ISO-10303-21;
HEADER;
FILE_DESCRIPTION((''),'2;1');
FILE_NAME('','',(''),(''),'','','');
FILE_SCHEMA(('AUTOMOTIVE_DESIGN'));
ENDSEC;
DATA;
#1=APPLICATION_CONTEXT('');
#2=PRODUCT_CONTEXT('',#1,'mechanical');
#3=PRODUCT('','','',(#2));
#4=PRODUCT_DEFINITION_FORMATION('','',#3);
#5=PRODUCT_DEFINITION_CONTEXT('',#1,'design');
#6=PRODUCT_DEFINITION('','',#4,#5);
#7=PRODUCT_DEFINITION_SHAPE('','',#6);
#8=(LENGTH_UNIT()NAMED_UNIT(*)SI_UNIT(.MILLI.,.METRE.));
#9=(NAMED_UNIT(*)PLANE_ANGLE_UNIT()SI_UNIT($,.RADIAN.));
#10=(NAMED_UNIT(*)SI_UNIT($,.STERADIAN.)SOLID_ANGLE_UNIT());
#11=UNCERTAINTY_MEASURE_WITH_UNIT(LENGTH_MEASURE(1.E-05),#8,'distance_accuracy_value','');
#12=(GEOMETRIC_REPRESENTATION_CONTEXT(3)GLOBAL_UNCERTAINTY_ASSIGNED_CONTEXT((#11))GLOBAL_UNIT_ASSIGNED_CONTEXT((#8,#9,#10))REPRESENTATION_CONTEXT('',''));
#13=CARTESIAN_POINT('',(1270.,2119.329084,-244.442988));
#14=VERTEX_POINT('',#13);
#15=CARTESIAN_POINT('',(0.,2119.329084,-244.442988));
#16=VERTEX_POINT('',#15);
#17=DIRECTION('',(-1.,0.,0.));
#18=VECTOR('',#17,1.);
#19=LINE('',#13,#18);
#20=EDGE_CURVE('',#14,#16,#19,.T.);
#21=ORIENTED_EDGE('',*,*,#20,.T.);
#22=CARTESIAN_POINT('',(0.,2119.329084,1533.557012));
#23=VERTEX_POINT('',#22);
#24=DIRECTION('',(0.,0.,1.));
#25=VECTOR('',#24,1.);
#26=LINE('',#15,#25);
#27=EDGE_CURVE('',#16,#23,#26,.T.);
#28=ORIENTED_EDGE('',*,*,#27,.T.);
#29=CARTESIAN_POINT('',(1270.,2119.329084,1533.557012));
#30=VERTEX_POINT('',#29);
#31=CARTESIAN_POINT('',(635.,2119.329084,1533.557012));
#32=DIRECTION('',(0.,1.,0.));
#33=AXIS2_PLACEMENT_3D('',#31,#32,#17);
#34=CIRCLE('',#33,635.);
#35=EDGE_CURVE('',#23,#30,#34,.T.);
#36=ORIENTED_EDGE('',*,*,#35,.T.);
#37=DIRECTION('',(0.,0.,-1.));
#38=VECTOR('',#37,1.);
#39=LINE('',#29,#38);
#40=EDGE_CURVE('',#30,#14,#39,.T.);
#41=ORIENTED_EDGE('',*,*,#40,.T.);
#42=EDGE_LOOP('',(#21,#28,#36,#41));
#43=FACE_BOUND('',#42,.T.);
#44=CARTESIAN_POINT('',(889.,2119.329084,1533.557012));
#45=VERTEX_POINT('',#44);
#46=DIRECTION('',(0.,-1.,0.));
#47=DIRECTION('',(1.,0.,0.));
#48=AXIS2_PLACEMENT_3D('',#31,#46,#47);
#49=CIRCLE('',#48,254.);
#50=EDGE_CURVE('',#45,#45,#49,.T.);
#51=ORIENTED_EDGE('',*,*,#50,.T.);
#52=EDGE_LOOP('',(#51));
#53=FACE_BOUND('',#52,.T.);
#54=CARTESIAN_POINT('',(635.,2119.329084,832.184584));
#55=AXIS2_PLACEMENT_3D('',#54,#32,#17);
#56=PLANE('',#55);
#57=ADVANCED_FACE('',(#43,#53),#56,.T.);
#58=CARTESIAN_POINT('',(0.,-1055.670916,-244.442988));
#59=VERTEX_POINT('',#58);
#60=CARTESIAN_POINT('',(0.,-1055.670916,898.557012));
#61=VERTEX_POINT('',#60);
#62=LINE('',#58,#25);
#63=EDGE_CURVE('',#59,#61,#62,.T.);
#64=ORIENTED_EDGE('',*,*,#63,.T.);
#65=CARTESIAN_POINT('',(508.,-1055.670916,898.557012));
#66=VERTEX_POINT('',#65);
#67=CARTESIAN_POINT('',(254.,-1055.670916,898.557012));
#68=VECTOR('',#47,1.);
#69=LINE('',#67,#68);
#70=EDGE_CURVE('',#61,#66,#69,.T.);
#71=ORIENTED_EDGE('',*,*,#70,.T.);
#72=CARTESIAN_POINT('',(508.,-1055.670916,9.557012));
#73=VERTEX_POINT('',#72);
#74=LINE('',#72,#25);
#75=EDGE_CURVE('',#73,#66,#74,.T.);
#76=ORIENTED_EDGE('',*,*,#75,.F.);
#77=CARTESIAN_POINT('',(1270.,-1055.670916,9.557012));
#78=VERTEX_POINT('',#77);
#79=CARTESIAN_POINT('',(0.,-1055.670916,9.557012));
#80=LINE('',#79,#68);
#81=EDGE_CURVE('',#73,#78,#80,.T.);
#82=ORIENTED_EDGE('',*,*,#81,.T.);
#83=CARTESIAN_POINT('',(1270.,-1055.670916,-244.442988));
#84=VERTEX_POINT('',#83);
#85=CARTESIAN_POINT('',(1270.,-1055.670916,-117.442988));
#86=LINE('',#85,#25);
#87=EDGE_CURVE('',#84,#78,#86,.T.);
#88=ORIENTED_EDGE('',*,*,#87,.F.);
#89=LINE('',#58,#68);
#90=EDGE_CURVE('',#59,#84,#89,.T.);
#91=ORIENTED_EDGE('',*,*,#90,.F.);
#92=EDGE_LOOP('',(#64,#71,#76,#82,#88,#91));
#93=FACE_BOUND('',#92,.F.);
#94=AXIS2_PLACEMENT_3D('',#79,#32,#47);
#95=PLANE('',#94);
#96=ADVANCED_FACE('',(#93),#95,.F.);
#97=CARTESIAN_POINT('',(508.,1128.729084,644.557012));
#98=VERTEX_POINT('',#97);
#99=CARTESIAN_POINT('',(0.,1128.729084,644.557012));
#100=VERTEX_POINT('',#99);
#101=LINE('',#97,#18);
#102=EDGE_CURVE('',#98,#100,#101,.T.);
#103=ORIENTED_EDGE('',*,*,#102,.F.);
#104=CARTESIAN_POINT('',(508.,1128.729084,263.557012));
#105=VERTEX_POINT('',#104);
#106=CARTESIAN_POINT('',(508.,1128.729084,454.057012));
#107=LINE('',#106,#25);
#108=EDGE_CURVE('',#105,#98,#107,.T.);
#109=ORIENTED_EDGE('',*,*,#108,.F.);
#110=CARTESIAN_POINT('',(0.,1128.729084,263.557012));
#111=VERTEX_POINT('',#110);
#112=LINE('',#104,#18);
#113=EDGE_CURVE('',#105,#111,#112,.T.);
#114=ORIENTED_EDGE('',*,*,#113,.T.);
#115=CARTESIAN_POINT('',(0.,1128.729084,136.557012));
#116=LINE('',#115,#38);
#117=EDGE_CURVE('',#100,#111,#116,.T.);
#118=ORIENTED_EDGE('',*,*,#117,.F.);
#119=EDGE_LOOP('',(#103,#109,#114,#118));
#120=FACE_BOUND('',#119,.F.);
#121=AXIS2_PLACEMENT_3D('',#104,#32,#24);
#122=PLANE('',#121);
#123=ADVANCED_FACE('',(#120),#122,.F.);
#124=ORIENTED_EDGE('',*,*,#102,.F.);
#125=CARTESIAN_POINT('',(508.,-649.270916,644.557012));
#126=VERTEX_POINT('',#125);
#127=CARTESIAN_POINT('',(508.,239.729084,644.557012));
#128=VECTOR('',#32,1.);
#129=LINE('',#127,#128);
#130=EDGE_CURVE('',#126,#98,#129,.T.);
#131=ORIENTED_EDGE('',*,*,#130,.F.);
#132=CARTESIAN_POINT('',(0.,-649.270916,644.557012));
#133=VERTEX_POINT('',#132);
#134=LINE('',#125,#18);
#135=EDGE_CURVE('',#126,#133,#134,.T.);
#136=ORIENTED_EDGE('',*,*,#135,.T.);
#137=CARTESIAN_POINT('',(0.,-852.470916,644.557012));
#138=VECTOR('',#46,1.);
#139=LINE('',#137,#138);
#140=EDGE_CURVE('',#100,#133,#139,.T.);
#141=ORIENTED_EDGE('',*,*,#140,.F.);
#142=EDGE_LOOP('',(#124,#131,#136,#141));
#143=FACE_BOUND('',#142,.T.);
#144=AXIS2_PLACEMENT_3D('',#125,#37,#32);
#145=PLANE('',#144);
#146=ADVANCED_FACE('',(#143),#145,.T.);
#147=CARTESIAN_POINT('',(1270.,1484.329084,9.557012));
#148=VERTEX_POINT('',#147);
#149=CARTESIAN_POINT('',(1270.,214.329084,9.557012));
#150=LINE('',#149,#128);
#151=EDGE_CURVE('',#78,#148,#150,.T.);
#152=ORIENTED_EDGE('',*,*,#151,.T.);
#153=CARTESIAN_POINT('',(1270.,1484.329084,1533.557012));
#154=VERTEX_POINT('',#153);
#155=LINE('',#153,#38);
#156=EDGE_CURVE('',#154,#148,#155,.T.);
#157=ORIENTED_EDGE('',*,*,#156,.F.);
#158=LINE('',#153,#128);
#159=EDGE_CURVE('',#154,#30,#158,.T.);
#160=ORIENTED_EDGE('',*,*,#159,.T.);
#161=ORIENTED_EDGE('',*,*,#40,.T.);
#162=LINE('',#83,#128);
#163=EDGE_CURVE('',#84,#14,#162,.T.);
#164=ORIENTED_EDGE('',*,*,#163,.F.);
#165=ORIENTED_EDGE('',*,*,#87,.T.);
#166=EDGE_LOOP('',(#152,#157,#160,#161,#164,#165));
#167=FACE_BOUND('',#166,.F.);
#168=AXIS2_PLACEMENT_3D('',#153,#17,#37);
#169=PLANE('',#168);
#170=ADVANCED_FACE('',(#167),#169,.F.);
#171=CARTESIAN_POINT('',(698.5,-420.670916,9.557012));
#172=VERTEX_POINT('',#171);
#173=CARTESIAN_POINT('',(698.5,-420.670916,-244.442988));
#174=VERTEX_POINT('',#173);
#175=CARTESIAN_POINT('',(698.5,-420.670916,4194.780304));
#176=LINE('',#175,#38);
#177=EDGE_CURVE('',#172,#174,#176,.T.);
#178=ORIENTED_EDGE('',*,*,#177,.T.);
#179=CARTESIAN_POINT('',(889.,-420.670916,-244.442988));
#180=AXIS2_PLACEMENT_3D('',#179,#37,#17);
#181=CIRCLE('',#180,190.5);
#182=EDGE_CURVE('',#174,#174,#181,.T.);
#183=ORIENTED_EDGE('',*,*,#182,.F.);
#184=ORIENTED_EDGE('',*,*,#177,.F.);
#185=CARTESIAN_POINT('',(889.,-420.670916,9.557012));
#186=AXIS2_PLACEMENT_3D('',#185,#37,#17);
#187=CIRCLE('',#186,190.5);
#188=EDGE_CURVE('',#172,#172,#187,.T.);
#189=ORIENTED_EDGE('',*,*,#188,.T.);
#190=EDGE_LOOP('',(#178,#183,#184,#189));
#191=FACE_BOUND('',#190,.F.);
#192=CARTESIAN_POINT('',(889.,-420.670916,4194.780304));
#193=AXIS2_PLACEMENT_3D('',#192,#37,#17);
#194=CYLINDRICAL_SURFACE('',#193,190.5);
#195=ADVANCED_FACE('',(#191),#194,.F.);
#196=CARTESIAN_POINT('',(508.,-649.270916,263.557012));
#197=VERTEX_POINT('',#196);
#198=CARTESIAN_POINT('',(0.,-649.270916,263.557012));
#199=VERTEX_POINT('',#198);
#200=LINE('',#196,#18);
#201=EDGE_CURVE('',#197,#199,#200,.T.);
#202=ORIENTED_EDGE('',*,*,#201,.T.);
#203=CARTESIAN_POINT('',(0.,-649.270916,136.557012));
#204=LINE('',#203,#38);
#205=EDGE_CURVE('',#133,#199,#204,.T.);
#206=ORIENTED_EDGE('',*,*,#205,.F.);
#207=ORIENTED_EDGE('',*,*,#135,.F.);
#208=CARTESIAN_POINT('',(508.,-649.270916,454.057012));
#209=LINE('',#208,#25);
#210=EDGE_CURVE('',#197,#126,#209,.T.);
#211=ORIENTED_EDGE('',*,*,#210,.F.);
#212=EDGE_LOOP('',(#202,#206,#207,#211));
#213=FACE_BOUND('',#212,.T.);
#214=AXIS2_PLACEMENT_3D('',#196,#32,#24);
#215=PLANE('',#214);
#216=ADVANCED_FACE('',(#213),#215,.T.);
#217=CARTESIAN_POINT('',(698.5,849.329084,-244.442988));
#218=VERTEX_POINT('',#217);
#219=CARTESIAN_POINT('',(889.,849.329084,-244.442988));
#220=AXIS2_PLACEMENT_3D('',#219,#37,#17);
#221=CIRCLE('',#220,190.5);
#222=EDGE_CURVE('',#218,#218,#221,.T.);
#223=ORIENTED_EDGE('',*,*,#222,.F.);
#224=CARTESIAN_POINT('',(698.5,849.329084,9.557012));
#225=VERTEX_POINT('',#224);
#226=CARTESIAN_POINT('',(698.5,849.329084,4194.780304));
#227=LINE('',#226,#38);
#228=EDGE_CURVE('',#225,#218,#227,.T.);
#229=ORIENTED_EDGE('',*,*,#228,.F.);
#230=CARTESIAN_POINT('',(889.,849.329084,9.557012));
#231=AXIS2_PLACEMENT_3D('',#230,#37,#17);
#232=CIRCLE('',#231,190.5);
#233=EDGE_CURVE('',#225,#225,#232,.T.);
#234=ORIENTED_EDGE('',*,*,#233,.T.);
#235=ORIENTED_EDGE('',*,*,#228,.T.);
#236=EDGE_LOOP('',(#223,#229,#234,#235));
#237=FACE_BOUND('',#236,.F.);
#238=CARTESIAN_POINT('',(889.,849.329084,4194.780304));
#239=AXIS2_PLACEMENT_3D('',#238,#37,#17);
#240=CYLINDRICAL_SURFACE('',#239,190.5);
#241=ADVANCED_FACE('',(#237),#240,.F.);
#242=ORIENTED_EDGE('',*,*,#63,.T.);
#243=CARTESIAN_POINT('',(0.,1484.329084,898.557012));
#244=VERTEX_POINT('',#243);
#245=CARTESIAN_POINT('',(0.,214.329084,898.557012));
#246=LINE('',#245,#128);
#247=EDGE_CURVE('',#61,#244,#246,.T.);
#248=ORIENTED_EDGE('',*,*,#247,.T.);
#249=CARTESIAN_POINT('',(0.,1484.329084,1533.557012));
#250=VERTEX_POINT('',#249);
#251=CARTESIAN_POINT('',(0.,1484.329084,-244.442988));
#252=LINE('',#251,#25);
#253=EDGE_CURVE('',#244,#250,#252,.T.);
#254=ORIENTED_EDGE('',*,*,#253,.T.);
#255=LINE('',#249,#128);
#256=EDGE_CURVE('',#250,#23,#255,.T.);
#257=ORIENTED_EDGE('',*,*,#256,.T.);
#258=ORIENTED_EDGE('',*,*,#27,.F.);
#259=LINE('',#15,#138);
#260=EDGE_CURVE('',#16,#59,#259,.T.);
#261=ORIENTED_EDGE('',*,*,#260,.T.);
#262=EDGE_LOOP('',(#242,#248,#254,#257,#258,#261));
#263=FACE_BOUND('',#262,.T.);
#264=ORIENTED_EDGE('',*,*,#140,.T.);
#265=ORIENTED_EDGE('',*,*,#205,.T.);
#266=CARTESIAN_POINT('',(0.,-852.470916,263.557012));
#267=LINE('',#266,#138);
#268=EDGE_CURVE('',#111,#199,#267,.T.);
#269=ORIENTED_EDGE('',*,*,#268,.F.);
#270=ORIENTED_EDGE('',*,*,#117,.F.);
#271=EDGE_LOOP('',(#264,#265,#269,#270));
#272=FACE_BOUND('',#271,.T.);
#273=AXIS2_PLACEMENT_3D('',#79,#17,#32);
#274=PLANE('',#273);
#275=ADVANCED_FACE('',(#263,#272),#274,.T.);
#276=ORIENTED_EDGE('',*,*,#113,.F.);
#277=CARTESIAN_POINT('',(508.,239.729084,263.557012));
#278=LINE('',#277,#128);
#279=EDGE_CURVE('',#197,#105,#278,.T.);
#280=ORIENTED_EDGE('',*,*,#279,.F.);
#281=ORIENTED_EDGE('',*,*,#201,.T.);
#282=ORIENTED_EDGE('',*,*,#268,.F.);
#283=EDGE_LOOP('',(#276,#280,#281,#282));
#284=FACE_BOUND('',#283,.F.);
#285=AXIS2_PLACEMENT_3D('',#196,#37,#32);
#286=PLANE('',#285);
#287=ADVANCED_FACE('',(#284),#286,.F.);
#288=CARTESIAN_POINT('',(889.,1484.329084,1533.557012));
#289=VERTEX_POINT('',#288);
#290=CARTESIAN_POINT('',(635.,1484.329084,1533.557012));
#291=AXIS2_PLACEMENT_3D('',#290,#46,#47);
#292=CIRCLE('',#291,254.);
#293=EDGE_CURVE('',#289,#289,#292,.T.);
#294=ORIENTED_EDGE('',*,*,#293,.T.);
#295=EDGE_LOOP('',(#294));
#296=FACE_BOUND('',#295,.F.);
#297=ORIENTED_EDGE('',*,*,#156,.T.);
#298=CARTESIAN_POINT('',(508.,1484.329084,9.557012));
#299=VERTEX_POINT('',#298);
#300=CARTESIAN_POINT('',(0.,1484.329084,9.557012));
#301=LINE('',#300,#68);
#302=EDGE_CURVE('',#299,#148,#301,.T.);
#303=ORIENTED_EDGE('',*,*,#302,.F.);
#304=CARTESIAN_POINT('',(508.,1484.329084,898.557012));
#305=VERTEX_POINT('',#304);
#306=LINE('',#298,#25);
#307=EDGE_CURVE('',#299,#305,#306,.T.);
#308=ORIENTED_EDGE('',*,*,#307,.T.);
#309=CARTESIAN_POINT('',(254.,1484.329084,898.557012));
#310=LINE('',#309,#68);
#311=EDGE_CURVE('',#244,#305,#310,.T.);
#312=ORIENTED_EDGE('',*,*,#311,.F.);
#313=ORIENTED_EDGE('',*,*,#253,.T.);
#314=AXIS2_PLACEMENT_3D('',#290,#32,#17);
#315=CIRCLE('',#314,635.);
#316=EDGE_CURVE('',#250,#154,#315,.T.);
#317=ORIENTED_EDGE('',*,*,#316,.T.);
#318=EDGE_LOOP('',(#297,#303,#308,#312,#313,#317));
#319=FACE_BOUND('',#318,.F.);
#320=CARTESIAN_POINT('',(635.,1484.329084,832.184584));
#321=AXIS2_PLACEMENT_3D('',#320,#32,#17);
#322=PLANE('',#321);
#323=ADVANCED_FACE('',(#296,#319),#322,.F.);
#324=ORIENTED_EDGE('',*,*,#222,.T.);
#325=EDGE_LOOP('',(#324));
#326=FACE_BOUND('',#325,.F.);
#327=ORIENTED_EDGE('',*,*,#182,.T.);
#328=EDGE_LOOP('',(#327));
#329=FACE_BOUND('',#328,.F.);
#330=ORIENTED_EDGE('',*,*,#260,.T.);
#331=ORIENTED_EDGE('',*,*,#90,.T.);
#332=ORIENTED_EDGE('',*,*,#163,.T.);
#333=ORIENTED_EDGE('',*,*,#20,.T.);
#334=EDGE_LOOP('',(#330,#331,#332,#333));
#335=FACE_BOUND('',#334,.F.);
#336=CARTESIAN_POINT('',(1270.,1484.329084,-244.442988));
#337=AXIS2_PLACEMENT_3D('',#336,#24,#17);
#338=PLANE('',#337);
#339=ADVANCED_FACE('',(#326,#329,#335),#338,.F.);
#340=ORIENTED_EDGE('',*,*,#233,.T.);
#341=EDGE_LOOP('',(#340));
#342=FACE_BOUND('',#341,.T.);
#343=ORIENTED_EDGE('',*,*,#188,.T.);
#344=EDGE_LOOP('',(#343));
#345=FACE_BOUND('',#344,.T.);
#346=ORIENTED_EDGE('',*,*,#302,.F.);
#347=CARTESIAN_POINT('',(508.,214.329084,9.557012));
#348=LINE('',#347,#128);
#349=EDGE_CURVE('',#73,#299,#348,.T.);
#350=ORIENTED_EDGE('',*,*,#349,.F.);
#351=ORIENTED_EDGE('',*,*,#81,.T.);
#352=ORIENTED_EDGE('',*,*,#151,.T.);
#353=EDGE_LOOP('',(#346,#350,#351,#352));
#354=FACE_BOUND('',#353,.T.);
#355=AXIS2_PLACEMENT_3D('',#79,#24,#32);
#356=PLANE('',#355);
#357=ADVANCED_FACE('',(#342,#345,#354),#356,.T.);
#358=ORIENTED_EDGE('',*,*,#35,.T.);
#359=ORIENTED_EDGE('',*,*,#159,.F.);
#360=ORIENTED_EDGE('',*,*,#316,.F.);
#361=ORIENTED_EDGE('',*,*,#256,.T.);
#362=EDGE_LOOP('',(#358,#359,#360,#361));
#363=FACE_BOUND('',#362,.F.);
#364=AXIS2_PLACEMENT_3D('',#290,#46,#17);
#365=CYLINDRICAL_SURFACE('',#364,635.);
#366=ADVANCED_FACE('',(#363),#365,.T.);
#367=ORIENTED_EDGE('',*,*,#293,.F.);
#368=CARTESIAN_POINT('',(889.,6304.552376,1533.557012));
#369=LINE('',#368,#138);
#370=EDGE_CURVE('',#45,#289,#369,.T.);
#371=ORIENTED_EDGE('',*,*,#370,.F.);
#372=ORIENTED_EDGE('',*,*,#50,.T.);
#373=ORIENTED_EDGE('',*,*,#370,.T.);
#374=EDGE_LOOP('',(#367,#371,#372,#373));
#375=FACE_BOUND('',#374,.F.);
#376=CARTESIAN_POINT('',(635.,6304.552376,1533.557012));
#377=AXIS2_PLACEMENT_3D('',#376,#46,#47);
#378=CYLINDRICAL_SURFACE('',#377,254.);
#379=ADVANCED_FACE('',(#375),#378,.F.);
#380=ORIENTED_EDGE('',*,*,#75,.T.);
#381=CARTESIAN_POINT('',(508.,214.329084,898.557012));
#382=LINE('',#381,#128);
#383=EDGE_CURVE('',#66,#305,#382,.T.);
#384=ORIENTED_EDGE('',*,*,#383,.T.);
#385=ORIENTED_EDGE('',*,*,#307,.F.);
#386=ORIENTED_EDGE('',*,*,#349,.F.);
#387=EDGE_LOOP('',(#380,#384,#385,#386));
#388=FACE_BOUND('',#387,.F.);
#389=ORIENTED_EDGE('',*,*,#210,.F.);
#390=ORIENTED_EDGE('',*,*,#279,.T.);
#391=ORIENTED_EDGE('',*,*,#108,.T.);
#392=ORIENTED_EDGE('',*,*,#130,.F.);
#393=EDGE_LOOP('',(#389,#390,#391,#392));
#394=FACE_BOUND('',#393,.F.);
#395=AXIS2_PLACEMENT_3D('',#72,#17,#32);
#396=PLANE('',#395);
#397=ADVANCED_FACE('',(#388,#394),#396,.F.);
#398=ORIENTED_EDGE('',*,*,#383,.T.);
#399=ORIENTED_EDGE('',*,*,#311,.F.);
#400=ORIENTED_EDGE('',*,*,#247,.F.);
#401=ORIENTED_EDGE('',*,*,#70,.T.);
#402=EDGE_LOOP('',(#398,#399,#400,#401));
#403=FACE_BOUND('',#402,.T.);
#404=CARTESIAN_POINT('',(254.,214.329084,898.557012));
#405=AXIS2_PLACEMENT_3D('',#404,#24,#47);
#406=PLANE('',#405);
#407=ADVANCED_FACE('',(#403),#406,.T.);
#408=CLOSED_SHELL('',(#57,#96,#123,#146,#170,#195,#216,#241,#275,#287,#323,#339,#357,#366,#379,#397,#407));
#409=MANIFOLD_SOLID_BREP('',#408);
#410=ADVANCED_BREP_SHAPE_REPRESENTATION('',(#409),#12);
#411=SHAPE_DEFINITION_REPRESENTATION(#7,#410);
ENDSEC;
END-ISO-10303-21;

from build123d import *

# Parameters (mm, degrees)
F0_W     = 2540
F0_H     = 254
F1_DEPTH = 1270
F3_DEPTH = 635
F5_D     = 508
F6_W     = 508
F6_H     = 2540
F7_DEPTH = 889
F8_W     = 1778
F8_H     = 381
F9_DEPTH = 1565.87305
F11_D    = 381


with BuildPart() as f1:
    # F0 (on Right) → F1 (new body)
    with BuildSketch(Plane.YZ):
        with Locations((214.329084, -117.442988)):
            Rectangle(F0_W, F0_H)
    extrude(amount=F1_DEPTH)

    # F2 (on face) → F3 (join)
    with BuildSketch(Plane(origin=(0, 1484.329084, 0), x_dir=(-1, 0, 0), z_dir=(0, 1, 0))):
        with BuildLine():
            Line((0, 9.557012), (0, 1533.557012))
            ThreePointArc((0, 1533.557012), (-635, 2168.557012), (-1270, 1533.557012))
            Line((-1270, 1533.557012), (-1270, 9.557012))
            Line((-1270, 9.557012), (-1270, -244.442988))
            Line((-1270, -244.442988), (0, -244.442988))
            Line((0, -244.442988), (0, 9.557012))
        make_face()
    extrude(amount=F3_DEPTH)

    # F5 (through all)
    with Locations(Plane(origin=(0, 2119.329084, 0), x_dir=(-1, 0, 0), z_dir=(0, 1, 0))):
        with Locations((-635, 1533.557012)):
            Hole(F5_D / 2)

    # F6 (on face) → F7 (join)
    with BuildSketch(Plane.XY.offset(9.557012)):
        with Locations((254, 214.329084)):
            Rectangle(F6_W, F6_H)
    extrude(amount=F7_DEPTH)

    # F8 (on face) → F9 (cut)
    with BuildSketch(Plane.YZ.offset(508)):
        with Locations((239.729084, 454.057012)):
            Rectangle(F8_W, F8_H)
    extrude(amount=-F9_DEPTH, mode=Mode.SUBTRACT)

    # F11 (through all)
    with Locations(Plane.XY.offset(9.557012)):
        with Locations((889, -420.670916), (889, 849.329084)):
            Hole(F11_D / 2)


solid = f1.part
